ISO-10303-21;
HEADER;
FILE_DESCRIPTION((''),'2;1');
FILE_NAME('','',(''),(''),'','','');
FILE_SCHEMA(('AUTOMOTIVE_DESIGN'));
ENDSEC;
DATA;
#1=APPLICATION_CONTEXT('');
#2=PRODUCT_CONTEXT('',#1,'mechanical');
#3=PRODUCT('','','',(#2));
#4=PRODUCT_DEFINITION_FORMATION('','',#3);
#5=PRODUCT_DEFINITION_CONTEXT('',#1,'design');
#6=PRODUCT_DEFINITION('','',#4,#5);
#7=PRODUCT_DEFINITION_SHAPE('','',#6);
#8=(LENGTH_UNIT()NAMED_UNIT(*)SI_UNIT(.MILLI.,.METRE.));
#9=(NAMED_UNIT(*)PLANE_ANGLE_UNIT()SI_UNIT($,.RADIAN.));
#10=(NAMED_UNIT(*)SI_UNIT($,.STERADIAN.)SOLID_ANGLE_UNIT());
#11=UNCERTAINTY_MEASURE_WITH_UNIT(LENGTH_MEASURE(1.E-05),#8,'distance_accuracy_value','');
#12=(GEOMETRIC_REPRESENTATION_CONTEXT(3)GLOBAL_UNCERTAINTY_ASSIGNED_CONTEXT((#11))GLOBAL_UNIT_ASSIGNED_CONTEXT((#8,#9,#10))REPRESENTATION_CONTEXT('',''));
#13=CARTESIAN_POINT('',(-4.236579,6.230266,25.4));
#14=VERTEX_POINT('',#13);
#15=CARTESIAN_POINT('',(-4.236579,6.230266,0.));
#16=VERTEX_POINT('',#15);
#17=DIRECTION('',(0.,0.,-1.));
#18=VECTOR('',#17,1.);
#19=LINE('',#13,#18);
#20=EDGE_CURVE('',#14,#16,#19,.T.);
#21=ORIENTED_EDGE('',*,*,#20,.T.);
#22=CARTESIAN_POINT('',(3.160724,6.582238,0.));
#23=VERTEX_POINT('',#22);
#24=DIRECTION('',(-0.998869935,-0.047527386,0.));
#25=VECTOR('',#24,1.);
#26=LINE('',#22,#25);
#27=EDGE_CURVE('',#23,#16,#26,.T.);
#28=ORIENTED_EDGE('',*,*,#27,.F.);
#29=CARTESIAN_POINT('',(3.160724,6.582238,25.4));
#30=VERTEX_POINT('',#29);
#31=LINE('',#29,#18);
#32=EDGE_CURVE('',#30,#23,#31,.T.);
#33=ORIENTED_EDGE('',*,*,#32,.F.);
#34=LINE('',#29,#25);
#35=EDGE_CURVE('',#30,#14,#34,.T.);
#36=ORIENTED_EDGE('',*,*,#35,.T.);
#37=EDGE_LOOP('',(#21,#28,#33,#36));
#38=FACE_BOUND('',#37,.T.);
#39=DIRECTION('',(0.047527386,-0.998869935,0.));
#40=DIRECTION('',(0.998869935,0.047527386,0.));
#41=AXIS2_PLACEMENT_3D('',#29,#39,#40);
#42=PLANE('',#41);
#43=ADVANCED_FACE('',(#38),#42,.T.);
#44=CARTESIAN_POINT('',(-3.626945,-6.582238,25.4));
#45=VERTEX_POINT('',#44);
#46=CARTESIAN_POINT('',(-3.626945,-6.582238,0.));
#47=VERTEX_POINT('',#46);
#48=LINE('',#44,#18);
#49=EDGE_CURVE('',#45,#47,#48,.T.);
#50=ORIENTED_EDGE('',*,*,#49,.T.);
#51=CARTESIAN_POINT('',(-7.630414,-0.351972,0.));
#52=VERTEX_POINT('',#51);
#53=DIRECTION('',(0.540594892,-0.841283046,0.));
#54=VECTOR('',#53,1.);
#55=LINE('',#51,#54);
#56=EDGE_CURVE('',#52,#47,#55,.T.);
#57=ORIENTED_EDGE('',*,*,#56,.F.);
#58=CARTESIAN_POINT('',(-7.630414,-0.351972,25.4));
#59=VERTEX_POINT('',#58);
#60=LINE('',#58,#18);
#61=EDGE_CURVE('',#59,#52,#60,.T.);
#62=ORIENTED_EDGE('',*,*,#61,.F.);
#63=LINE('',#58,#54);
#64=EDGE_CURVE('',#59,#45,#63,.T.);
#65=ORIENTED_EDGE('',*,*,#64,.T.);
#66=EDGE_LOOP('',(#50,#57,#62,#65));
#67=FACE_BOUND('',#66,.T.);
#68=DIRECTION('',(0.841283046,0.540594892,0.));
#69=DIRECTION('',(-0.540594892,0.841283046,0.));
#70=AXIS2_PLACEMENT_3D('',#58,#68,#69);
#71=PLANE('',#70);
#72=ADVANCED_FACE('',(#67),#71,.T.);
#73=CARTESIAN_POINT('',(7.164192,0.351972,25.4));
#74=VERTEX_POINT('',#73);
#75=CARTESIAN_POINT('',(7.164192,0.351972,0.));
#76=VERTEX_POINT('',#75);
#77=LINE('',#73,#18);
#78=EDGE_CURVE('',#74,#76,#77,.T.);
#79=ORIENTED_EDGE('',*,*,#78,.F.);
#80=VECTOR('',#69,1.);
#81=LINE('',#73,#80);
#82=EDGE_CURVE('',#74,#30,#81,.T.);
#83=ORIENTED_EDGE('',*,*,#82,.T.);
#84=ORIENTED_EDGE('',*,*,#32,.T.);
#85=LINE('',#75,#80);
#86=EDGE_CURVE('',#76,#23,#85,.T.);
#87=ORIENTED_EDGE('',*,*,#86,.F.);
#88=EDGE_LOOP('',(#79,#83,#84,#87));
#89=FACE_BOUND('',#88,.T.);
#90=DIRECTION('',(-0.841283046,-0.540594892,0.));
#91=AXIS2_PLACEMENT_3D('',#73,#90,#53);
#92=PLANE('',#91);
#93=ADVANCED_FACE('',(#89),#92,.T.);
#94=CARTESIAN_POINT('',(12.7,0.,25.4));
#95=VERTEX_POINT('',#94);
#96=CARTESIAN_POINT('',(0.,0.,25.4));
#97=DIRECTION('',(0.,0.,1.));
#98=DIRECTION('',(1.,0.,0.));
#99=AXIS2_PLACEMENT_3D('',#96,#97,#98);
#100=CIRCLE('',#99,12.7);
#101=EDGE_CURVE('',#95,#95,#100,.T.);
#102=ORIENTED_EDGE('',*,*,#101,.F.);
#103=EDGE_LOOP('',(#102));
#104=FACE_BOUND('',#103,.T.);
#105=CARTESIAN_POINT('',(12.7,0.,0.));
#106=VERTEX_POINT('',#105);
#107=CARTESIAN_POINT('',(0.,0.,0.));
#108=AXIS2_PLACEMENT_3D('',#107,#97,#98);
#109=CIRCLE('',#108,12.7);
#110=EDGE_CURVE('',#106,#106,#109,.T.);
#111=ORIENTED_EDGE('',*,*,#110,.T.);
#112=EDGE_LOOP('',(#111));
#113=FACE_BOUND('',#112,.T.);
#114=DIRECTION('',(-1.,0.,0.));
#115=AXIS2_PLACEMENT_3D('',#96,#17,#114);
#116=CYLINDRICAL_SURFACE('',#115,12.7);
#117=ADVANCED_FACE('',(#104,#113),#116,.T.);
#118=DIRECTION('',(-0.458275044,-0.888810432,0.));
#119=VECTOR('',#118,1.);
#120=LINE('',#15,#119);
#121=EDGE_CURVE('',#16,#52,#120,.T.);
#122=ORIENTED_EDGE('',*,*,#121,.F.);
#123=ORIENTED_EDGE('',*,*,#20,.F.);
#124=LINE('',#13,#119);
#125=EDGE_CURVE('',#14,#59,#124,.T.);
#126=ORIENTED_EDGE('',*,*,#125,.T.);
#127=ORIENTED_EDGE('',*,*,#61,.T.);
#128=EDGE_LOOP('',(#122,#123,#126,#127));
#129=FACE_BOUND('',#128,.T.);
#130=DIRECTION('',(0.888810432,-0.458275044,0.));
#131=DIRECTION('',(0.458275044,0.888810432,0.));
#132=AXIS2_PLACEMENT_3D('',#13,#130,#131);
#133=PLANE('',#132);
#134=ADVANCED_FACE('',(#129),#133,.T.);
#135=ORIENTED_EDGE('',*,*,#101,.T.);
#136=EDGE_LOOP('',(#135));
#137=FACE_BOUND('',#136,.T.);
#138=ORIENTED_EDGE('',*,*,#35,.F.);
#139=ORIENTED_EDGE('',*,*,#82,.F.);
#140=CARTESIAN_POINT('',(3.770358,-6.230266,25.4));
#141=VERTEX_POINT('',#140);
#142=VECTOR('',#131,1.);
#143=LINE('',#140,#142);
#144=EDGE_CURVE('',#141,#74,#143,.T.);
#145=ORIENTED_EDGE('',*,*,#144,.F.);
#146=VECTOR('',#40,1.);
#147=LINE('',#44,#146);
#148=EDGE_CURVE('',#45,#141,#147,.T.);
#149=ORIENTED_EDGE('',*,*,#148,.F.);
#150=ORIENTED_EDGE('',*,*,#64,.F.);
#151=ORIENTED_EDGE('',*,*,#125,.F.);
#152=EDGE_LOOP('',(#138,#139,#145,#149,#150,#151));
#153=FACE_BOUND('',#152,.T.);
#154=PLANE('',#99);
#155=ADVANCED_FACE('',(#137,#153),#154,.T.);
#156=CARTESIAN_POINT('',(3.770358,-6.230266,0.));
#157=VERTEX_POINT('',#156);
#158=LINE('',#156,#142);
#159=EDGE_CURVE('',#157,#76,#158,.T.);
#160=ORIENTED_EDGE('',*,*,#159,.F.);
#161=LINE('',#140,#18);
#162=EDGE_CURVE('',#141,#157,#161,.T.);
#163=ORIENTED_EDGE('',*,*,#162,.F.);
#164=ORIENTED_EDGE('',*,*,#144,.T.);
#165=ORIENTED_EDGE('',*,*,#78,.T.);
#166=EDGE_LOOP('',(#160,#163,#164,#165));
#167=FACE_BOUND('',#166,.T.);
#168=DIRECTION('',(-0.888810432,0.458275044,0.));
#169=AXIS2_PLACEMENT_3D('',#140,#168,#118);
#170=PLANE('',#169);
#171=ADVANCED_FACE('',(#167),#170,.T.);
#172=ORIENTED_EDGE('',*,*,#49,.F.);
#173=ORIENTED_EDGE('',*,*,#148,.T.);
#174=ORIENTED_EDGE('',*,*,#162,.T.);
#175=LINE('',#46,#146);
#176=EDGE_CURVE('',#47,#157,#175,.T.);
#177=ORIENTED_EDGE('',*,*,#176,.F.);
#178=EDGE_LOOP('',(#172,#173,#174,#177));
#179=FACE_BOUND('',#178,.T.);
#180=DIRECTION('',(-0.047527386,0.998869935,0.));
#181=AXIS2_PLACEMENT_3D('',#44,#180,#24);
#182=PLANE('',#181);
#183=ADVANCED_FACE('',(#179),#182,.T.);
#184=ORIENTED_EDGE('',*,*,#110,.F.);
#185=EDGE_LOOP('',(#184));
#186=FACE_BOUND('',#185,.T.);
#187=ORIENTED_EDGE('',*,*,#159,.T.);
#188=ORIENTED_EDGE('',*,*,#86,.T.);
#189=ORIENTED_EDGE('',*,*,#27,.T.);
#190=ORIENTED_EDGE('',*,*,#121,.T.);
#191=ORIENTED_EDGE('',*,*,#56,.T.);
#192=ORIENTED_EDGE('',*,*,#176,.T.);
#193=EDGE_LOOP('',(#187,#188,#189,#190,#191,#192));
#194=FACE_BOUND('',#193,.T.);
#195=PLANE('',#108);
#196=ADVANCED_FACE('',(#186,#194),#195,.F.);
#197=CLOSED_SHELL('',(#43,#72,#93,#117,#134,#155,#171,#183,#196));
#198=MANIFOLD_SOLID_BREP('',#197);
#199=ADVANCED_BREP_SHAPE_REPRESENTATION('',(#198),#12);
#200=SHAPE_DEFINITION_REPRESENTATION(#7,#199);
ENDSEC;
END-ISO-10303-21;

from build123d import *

# Parameters (mm, degrees)
SKETCH2_R           = 12.7
BOSS_EXTRUDE2_DEPTH = 25.4


with BuildPart() as part:
    # Sketch2 → Boss-Extrude2 (new body)
    with BuildSketch(Plane.XY):
        Circle(SKETCH2_R)
        Polygon((-3.626945327, -6.582238445), (3.770357687, -6.230266215), (7.164192301, 0.35197223), (3.160723902, 6.582238445), (-4.236579113, 6.230266215), (-7.630413727, -0.35197223), align=None, mode=Mode.SUBTRACT)
    extrude(amount=BOSS_EXTRUDE2_DEPTH)


solid = part.part
